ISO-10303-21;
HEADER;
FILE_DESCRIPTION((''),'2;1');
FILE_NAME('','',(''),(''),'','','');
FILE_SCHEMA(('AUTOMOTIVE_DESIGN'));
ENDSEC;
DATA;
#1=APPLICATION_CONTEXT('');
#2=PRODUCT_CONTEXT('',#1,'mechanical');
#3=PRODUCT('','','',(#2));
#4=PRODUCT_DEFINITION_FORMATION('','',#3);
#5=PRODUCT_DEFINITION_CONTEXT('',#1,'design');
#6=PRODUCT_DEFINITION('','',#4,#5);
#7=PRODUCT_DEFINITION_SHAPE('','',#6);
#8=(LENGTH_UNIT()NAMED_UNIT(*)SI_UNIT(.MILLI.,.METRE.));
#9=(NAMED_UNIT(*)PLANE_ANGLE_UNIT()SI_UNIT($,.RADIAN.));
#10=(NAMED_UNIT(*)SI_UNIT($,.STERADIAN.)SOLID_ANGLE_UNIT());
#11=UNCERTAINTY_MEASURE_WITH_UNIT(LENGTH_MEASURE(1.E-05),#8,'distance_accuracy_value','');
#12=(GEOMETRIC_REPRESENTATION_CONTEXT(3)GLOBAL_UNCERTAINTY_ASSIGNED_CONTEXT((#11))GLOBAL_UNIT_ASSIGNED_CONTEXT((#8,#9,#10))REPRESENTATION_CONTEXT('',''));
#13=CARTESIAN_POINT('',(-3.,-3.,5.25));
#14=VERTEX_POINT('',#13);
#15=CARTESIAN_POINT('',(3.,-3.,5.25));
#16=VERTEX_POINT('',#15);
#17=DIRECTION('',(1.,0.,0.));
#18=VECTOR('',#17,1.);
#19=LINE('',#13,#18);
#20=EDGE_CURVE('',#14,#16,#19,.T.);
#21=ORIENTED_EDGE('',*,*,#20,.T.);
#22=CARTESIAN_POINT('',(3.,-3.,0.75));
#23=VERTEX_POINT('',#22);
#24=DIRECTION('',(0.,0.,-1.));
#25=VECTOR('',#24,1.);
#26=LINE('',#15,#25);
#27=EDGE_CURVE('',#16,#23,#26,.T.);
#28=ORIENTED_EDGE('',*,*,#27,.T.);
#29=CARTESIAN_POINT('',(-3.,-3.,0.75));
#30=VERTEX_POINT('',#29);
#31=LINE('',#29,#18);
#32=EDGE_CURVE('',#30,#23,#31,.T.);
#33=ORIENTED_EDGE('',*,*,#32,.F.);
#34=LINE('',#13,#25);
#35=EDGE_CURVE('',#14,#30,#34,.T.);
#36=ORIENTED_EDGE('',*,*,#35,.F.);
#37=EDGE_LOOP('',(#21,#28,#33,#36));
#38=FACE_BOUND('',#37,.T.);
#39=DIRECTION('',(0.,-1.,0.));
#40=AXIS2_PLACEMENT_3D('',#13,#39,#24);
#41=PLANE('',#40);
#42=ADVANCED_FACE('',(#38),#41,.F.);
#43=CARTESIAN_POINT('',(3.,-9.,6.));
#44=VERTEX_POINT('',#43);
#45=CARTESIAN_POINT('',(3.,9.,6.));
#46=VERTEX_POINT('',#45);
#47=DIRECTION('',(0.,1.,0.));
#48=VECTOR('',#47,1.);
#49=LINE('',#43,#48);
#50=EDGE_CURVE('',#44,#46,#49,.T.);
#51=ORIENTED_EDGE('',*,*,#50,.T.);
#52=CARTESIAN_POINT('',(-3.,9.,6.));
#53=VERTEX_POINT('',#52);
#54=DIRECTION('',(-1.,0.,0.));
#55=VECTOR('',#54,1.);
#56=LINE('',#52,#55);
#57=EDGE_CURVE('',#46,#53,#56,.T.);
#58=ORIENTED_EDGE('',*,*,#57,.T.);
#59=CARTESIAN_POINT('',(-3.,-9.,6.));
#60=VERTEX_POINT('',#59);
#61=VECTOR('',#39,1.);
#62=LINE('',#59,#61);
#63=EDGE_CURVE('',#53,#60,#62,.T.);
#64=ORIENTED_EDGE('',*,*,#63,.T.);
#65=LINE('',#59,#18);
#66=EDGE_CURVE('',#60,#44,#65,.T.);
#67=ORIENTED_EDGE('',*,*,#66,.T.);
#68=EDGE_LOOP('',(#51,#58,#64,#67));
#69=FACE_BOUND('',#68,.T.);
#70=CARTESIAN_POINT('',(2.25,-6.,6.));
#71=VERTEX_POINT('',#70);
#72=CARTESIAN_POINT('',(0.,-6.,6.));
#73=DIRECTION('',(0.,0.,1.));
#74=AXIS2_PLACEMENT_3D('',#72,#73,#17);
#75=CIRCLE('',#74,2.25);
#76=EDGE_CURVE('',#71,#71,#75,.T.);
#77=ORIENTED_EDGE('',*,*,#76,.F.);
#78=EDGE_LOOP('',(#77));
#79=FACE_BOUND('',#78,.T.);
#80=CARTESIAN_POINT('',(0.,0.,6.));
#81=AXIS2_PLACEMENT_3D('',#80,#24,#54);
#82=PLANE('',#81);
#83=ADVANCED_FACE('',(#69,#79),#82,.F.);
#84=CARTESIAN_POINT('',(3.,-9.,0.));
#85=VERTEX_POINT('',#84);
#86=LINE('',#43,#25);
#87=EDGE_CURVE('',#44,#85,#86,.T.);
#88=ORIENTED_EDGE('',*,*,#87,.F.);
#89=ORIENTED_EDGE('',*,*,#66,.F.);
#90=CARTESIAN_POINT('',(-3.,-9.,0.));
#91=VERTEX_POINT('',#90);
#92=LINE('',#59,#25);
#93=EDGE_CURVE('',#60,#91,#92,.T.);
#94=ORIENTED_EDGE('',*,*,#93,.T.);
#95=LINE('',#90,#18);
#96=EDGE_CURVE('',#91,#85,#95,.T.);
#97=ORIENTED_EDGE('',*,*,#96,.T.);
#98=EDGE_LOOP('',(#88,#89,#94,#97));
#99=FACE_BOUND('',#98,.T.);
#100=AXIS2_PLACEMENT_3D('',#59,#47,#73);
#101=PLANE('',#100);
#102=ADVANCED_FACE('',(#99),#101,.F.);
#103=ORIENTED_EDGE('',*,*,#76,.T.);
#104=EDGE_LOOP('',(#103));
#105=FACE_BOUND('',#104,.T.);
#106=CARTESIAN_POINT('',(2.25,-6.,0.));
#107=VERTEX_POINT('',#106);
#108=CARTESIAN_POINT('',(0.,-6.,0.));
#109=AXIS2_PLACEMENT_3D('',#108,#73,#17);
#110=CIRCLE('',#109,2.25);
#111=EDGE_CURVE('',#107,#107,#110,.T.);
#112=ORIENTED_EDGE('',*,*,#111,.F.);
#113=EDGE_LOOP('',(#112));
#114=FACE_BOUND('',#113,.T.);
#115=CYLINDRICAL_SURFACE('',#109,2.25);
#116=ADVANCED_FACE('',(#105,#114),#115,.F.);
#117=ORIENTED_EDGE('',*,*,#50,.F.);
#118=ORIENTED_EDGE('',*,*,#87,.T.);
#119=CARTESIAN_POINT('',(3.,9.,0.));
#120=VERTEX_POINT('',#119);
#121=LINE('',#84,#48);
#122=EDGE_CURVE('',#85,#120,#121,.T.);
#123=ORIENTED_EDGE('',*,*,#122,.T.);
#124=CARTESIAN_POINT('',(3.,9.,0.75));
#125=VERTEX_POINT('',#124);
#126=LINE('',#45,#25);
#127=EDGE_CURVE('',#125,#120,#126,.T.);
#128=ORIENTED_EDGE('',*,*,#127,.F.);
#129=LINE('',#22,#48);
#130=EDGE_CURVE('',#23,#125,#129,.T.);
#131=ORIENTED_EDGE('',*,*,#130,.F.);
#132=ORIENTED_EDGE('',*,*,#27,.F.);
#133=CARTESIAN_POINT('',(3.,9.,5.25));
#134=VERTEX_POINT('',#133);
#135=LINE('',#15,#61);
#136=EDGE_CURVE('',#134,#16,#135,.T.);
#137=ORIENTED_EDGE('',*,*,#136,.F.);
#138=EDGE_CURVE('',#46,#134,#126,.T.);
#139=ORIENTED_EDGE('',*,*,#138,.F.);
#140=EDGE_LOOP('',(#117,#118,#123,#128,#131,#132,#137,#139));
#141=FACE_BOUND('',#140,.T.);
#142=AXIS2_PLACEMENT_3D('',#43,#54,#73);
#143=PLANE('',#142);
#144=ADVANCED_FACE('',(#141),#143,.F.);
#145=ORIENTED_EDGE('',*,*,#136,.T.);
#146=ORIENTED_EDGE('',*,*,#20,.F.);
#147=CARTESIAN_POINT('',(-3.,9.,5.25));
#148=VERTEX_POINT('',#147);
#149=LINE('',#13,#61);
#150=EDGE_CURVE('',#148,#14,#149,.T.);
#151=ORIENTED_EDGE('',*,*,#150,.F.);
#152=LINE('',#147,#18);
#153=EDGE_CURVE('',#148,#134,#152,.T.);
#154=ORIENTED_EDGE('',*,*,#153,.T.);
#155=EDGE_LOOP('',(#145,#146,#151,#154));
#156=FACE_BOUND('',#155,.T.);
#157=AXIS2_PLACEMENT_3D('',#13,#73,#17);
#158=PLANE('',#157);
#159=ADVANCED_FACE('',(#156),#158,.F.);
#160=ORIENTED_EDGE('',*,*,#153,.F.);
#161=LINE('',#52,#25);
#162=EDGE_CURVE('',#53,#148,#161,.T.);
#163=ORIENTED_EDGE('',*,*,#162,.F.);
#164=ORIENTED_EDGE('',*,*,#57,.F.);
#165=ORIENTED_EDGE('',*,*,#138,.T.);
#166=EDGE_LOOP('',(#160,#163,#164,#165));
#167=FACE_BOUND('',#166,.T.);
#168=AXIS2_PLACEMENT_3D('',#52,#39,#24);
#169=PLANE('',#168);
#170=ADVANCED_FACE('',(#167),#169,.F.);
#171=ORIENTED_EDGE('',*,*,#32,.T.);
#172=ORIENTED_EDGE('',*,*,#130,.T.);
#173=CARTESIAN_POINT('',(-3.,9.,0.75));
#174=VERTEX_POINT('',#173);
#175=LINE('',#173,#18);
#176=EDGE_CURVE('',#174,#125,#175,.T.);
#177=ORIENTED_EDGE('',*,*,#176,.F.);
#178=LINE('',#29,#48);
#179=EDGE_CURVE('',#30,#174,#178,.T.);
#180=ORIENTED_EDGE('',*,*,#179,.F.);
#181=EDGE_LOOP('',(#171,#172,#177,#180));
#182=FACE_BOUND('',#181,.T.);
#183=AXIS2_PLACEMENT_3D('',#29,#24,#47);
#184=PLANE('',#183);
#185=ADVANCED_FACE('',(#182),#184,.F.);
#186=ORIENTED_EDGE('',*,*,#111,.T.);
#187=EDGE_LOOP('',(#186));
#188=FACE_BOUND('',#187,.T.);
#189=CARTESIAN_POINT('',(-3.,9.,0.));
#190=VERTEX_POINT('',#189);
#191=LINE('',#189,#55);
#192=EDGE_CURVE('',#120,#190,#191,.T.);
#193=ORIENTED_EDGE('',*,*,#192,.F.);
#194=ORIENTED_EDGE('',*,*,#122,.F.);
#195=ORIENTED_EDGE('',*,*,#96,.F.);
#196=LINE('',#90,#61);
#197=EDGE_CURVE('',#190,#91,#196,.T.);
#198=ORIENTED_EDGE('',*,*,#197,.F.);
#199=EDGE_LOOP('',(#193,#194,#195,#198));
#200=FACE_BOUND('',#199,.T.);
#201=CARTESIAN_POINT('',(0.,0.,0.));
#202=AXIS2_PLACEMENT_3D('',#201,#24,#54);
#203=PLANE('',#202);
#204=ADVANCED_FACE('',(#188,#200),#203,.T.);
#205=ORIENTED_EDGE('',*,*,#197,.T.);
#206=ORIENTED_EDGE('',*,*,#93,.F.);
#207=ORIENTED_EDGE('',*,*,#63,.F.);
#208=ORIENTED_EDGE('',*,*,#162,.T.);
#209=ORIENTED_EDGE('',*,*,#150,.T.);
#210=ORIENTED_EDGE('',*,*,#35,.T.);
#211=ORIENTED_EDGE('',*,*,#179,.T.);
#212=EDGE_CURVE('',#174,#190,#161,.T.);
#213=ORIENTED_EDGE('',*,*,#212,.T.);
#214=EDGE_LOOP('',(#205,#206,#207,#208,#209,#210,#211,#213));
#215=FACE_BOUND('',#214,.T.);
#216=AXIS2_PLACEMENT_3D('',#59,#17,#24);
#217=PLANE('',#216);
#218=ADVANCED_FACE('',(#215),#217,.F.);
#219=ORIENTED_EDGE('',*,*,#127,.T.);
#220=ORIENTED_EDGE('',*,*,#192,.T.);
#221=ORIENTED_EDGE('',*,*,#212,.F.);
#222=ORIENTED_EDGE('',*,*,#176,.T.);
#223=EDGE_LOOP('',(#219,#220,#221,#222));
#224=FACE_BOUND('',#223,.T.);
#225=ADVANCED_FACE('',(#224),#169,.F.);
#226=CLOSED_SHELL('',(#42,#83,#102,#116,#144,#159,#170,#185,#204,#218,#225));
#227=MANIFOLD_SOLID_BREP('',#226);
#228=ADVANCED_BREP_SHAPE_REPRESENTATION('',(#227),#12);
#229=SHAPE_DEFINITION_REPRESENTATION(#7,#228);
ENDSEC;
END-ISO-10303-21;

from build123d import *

# Parameters (mm, degrees)
SKETCH2_W           = 6
SKETCH2_H           = 18
BOSS_EXTRUDE1_DEPTH = 6
SKETCH3_R           = 2.25
CUT_EXTRUDE1_DEPTH  = 12.22497216
SKETCH4_W           = 4.5
SKETCH4_H           = 12
CUT_EXTRUDE2_DEPTH  = 13.369316877


with BuildPart() as part:
    # Sketch2 → Boss-Extrude1 (new body)
    with BuildSketch(Plane.XY):
        Rectangle(SKETCH2_W, SKETCH2_H)
    extrude(amount=BOSS_EXTRUDE1_DEPTH)

    # Sketch3 → Cut-Extrude1 (cut, through all)
    with BuildSketch(Plane.XY.offset(6)):
        with Locations((0, -6)):
            Circle(SKETCH3_R)
    extrude(amount=-CUT_EXTRUDE1_DEPTH, mode=Mode.SUBTRACT)

    # Sketch4 → Cut-Extrude2 (cut, through all)
    with BuildSketch(Plane(origin=(3, 0, 0), x_dir=(0, 0, -1), z_dir=(1, 0, 0))):
        with Locations((-3, 3)):
            Rectangle(SKETCH4_W, SKETCH4_H)
    extrude(amount=-CUT_EXTRUDE2_DEPTH, mode=Mode.SUBTRACT)


solid = part.part
